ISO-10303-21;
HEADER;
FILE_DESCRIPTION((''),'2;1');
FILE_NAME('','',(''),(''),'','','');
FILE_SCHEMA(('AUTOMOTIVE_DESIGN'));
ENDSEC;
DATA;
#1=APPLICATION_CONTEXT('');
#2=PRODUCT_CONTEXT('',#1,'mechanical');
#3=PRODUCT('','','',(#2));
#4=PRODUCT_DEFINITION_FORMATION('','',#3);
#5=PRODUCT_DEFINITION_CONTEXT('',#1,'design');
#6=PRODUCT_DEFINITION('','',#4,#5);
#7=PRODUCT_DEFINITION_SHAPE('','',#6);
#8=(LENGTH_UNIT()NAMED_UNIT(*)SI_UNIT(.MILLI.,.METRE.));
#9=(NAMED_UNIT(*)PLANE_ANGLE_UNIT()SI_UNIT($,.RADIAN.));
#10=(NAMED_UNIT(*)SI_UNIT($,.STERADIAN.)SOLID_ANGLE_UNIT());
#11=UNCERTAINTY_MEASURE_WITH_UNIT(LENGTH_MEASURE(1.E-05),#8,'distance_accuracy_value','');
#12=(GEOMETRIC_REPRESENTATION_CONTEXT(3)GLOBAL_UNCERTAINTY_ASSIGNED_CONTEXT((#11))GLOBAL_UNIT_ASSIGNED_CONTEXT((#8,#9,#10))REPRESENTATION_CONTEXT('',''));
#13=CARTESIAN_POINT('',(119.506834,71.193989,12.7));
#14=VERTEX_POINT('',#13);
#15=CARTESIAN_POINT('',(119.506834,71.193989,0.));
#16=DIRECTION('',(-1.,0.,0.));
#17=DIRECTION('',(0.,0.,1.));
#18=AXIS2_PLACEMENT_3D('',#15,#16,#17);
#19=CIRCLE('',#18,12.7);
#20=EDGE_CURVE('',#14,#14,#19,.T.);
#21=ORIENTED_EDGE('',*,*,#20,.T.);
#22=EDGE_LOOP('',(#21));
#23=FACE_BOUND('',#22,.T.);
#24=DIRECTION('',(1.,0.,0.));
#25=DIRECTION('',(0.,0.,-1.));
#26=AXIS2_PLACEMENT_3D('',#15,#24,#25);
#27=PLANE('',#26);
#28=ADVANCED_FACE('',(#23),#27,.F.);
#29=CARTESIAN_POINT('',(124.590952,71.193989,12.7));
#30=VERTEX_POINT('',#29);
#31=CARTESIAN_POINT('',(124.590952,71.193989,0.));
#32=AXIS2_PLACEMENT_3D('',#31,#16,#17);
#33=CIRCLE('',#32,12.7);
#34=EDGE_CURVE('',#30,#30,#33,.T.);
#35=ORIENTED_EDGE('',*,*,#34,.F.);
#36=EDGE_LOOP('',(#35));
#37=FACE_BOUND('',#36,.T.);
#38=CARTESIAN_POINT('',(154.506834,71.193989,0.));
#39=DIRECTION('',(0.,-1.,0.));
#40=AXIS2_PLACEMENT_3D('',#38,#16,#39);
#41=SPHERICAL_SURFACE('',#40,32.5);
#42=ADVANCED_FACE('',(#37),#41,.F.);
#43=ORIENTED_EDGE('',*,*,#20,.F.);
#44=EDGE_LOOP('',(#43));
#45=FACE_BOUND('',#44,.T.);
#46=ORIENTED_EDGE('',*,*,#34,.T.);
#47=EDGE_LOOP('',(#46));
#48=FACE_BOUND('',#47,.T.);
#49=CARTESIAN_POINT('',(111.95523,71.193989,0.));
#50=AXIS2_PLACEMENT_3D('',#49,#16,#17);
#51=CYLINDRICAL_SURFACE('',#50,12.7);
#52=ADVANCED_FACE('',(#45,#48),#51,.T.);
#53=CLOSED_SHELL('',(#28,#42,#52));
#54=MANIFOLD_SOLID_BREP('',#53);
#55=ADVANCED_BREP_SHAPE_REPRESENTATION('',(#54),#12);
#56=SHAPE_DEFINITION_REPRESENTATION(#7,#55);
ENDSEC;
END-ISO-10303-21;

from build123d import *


with BuildPart() as part:
    # 草图1 → 旋转1 (revolve)
    with BuildSketch(Plane.XY, mode=Mode.PRIVATE) as revolve_1_sk:
        with BuildLine():
            Line((119.506834179, 71.193989087), (119.506834179, 83.893989087))
            Line((119.506834179, 83.893989087), (124.590952109, 83.893989087))
            ThreePointArc((124.590952109, 83.893989087), (122.659415388, 77.674106089), (122.006834179, 71.193989087))
            Line((122.006834179, 71.193989087), (119.506834179, 71.193989087))
        make_face()
    revolve(revolve_1_sk.sketch.rotate(Axis((111.955229758, 71.193989087, 0), (1, 0, 0)), 180), axis=Axis((111.955229758, 71.193989087, 0), (1, 0, 0)))  # turned: the seam where the file's is


solid = part.part
